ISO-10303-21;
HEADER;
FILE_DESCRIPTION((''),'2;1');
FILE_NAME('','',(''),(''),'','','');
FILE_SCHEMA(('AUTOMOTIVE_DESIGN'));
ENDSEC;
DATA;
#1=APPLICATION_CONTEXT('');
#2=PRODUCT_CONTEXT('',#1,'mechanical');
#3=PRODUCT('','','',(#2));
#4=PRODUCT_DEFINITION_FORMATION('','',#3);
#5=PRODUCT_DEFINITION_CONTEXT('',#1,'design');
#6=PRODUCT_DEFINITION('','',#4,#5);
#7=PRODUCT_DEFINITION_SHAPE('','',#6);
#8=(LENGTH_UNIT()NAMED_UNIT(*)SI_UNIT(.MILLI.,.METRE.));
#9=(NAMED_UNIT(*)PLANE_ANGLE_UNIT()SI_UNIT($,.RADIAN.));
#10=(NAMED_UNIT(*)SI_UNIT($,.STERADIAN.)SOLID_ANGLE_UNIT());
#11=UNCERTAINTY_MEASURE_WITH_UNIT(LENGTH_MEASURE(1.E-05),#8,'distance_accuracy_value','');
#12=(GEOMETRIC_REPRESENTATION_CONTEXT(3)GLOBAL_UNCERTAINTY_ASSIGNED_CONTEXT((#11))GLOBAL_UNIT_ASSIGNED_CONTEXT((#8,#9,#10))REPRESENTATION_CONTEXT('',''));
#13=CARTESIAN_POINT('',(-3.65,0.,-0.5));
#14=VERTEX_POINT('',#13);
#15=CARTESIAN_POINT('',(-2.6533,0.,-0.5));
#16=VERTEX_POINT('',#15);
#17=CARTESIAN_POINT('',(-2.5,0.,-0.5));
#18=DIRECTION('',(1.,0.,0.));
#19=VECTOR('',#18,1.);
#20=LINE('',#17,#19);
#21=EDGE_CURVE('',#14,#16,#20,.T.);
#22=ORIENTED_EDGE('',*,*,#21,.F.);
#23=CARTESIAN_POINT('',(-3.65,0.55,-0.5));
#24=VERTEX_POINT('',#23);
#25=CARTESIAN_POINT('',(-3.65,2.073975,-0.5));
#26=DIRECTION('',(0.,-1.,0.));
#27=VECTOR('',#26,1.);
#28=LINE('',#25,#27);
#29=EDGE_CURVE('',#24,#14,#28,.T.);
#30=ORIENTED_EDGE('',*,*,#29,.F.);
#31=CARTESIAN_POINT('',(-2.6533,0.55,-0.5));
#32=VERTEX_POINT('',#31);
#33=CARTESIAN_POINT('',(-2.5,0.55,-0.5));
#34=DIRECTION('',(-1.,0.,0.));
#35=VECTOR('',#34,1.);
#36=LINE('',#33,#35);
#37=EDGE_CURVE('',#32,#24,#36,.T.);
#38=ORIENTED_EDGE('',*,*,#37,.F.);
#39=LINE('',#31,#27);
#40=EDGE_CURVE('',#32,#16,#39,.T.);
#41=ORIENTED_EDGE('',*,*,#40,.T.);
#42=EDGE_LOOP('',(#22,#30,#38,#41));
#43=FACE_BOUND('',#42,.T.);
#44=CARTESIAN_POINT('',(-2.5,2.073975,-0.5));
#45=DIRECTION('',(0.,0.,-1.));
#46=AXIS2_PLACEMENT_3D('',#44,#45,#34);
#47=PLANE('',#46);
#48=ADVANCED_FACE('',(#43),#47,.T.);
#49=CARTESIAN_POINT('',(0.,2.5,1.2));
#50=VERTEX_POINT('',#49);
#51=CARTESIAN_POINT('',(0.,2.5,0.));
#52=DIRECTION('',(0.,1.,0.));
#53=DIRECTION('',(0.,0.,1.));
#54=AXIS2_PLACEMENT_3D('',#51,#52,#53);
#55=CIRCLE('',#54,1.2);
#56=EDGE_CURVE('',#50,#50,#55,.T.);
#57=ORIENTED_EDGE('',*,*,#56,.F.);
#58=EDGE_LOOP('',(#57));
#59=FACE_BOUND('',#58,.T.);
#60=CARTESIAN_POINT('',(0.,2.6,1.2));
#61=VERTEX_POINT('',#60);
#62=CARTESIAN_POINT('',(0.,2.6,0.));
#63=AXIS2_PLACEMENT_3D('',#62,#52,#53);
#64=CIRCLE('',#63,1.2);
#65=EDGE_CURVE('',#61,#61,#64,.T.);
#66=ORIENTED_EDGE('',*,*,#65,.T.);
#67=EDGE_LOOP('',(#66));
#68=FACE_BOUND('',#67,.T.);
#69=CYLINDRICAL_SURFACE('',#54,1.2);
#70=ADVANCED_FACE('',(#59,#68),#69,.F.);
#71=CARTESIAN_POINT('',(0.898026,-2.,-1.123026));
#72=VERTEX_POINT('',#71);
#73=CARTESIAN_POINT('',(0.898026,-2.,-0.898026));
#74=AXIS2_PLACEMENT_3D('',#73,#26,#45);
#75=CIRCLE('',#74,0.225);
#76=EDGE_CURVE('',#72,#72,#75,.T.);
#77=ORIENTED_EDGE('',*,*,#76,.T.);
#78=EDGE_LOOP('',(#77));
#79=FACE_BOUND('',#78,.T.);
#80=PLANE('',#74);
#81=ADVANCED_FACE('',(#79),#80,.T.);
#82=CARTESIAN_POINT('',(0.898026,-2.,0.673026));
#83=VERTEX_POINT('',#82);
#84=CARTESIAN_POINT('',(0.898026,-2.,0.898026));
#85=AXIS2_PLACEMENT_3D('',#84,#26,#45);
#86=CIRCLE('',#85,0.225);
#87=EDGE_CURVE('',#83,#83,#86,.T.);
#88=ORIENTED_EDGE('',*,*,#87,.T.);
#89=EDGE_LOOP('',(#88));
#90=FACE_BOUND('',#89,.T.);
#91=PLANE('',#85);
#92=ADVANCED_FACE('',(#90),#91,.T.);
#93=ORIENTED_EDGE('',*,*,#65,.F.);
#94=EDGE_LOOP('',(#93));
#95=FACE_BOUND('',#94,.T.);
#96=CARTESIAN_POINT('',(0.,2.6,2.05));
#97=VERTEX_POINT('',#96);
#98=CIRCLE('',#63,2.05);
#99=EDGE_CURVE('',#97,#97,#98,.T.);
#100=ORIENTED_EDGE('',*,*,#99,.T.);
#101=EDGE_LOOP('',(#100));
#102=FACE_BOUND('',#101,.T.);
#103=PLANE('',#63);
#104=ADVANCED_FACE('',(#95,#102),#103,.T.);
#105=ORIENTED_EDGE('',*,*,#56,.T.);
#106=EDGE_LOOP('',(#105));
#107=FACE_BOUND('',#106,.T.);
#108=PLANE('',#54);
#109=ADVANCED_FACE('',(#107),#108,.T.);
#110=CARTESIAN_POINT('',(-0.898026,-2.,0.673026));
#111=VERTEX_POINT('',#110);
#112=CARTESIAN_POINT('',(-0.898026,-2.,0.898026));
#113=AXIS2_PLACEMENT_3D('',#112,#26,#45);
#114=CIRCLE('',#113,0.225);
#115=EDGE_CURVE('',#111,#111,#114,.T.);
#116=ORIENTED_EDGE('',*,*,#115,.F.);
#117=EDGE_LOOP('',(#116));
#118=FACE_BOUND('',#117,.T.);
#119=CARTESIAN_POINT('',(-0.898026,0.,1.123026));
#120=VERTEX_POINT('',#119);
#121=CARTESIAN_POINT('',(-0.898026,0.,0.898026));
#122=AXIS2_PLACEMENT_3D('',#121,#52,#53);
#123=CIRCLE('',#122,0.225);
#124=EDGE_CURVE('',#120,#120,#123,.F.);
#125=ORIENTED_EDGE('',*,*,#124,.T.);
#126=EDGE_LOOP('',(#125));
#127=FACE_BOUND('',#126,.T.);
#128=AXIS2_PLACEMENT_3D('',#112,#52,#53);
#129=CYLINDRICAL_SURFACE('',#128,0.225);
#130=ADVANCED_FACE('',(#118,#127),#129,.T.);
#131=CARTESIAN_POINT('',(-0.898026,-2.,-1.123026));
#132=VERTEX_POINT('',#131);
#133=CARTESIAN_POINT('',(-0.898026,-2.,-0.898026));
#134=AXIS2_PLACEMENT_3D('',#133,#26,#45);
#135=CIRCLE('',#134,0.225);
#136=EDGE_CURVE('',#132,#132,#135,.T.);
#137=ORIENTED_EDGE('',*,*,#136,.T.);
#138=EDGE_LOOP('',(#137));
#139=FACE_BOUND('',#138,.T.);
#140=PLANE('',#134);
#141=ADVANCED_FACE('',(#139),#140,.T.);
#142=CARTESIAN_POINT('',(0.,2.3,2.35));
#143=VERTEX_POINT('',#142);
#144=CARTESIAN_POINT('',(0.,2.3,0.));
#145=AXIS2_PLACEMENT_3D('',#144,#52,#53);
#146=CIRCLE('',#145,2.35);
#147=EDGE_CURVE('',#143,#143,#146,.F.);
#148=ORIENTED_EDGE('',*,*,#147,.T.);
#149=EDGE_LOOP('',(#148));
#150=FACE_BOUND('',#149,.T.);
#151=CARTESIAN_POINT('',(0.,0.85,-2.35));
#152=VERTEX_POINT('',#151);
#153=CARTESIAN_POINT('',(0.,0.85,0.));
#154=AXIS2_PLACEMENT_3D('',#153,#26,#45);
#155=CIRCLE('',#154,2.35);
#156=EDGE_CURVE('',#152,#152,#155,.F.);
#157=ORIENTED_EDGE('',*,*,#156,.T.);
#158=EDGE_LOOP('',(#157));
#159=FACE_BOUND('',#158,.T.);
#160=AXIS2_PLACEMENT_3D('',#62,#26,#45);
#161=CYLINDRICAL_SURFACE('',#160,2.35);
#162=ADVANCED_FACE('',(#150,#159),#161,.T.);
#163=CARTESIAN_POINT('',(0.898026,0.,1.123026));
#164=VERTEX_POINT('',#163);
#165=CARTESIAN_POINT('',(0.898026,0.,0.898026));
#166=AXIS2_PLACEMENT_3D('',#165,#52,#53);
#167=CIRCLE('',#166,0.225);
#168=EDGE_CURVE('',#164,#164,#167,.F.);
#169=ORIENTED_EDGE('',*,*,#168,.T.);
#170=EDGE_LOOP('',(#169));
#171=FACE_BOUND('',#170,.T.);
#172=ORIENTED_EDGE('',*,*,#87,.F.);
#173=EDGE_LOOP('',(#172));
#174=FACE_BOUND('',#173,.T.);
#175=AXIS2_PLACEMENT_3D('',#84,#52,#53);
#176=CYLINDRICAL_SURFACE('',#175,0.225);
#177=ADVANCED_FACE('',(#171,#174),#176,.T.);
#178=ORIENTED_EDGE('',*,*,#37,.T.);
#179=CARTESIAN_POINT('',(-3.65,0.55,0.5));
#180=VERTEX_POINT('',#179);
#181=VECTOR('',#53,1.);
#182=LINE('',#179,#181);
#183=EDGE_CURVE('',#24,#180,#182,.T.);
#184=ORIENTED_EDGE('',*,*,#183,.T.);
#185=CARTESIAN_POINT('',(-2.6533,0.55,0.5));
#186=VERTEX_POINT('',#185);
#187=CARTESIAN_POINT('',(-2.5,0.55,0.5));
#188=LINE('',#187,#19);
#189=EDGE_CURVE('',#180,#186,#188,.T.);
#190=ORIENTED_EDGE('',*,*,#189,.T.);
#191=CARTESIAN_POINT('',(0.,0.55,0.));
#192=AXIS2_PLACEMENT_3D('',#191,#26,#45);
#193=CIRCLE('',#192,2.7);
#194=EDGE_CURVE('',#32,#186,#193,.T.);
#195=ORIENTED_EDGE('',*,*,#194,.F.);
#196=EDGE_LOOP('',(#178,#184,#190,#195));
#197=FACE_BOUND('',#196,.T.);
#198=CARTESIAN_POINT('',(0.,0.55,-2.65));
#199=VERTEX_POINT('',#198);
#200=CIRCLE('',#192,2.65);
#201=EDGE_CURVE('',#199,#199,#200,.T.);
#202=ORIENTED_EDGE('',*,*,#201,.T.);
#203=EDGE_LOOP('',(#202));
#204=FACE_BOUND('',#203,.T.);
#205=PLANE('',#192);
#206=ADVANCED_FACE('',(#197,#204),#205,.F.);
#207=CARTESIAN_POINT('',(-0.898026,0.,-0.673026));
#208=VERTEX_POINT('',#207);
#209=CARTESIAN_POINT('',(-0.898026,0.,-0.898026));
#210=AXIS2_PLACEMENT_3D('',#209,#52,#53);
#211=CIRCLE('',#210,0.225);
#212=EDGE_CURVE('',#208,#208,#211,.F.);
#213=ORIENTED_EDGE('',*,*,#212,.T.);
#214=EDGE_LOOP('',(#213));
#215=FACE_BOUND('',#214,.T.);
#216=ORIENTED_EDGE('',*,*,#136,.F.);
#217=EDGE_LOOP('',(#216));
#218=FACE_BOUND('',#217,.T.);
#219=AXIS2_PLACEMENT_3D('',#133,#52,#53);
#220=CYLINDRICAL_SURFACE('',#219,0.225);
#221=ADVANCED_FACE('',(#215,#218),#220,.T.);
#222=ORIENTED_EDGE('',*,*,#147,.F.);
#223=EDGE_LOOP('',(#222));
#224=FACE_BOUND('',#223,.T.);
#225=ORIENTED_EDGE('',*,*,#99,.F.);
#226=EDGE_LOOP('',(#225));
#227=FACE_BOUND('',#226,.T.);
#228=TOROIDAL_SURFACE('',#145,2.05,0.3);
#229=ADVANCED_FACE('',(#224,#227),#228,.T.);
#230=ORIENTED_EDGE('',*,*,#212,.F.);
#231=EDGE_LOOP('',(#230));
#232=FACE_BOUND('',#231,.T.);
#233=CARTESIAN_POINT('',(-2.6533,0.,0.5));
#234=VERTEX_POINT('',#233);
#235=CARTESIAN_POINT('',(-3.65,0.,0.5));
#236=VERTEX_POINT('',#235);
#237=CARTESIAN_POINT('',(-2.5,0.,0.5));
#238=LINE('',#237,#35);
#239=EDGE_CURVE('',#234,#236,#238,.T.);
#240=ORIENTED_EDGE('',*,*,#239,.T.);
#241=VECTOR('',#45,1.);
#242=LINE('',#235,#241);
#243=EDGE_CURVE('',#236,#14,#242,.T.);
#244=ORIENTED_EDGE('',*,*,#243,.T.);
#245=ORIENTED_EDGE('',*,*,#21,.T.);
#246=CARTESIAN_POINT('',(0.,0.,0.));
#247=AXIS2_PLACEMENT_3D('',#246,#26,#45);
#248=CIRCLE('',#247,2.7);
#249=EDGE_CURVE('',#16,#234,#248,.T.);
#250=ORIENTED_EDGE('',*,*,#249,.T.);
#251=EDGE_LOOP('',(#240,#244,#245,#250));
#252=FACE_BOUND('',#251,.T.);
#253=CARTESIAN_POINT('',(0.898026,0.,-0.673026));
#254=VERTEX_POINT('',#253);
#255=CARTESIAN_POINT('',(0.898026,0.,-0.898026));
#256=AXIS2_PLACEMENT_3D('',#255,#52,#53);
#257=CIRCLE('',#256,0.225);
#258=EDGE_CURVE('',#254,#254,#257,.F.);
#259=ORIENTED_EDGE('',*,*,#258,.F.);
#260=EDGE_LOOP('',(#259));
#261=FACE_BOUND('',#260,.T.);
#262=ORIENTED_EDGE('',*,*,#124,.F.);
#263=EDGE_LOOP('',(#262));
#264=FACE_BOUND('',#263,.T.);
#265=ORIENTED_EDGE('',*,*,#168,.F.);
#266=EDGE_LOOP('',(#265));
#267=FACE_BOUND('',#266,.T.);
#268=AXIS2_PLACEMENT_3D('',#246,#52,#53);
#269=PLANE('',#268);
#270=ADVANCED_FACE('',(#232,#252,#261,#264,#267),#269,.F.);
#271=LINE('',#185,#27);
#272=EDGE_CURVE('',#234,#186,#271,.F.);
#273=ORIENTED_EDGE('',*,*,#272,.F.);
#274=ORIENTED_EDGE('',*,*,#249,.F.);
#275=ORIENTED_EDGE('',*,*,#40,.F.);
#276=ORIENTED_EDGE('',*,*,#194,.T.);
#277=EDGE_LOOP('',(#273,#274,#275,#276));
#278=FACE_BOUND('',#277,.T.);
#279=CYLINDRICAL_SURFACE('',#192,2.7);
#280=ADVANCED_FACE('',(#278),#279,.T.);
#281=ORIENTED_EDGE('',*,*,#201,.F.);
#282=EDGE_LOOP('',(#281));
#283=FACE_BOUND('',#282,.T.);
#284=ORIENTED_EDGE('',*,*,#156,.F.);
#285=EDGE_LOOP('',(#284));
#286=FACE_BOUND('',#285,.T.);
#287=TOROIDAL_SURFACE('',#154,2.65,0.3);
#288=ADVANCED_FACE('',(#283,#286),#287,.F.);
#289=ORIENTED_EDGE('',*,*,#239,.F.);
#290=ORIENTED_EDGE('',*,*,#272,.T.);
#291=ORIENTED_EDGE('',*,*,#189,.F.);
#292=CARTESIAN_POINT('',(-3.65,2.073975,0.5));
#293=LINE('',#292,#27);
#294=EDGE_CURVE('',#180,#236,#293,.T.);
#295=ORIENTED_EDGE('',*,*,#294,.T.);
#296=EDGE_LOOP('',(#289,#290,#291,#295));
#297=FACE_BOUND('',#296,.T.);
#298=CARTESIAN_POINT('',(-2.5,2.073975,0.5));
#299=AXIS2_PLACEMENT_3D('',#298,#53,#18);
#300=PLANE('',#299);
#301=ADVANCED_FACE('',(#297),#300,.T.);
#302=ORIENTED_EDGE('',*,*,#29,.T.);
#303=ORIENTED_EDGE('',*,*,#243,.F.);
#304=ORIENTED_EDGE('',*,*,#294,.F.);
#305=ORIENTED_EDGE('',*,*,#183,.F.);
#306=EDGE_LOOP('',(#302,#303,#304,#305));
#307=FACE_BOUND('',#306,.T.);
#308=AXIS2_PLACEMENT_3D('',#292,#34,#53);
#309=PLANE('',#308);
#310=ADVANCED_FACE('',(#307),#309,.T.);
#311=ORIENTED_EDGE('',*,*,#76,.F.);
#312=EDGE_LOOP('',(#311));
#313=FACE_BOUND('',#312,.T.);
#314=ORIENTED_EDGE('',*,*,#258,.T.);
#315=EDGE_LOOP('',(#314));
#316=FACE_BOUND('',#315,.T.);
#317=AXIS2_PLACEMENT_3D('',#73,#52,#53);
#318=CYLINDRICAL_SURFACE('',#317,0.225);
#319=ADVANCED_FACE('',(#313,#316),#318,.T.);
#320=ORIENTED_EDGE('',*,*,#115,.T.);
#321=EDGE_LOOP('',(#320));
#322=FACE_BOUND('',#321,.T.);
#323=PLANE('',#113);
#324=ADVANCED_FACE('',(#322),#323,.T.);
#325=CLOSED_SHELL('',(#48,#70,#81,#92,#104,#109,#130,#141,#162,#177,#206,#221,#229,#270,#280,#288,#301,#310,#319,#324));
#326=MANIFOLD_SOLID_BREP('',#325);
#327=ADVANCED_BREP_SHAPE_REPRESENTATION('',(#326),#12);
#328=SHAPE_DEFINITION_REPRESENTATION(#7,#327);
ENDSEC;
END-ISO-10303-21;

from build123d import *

# Parameters (mm, degrees)
SKETCH1_R           = 2.35
BOSS_EXTRUDE1_DEPTH = 2.6
SKETCH2_R           = 2.7
BOSS_EXTRUDE2_DEPTH = 0.55
FILLET1_R           = 0.3
FILLET2_R           = 0.3
SKETCH3_R           = 1.2
CUT_EXTRUDE1_DEPTH  = 0.1
SKETCH4_W           = 1.15
SKETCH4_H           = 1
BOSS_EXTRUDE3_DEPTH = 0.55
SKETCH5_R           = 0.225
BOSS_EXTRUDE4_DEPTH = 2


with BuildPart() as part:
    # Sketch1 → Boss-Extrude1 (new body)
    with BuildSketch(Plane(origin=(0, 0, 0), x_dir=(1, 0, 0), z_dir=(0, 1, 0))):
        with Locations(Location((0, 0, 0), (0, 0, 270))):
            Circle(SKETCH1_R)
    extrude(amount=BOSS_EXTRUDE1_DEPTH)

    # Sketch2 → Boss-Extrude2 (add)
    with BuildSketch(Plane.XZ):
        with Locations(Location((0, 0, 0), (0, 0, 270))):
            Circle(SKETCH2_R)
    extrude(amount=-BOSS_EXTRUDE2_DEPTH)

    # Fillet1
    fillet1_edges = [part.edges().sort_by_distance(p)[0] for p in [
        (0, 0.55, -2.35),
    ]]
    fillet(fillet1_edges, radius=FILLET1_R)

    # Fillet2
    fillet2_edges = [part.edges().sort_by_distance(p)[0] for p in [
        (0, 2.6, -2.35),
    ]]
    fillet(fillet2_edges, radius=FILLET2_R)

    # Sketch3 → Cut-Extrude1 (cut)
    with BuildSketch(Plane(origin=(0, 2.6, 0), x_dir=(1, 0, 0), z_dir=(0, 1, 0))):
        with Locations(Location((0, 0, 0), (0, 0, 270))):
            Circle(SKETCH3_R)
    extrude(amount=-CUT_EXTRUDE1_DEPTH, mode=Mode.SUBTRACT)

    # Sketch4 → Boss-Extrude3 (add)
    with BuildSketch(Plane.XZ):
        with Locations((-3.075, 0)):
            Rectangle(SKETCH4_W, SKETCH4_H)
    extrude(amount=-BOSS_EXTRUDE3_DEPTH)

    # Sketch5 → Boss-Extrude4 (add)
    with BuildSketch(Plane.XZ):
        with Locations(Location((-0.898025612, 0.898025612, 0), (0, 0, 90))):
            Circle(SKETCH5_R)
        with Locations(Location((0.898025612, 0.898025612, 0), (0, 0, 90))):
            Circle(SKETCH5_R)
        with Locations(Location((-0.898025612, -0.898025612, 0), (0, 0, 90))):
            Circle(SKETCH5_R)
        with Locations(Location((0.898025612, -0.898025612, 0), (0, 0, 90))):
            Circle(SKETCH5_R)
    extrude(amount=BOSS_EXTRUDE4_DEPTH)


solid = part.part
